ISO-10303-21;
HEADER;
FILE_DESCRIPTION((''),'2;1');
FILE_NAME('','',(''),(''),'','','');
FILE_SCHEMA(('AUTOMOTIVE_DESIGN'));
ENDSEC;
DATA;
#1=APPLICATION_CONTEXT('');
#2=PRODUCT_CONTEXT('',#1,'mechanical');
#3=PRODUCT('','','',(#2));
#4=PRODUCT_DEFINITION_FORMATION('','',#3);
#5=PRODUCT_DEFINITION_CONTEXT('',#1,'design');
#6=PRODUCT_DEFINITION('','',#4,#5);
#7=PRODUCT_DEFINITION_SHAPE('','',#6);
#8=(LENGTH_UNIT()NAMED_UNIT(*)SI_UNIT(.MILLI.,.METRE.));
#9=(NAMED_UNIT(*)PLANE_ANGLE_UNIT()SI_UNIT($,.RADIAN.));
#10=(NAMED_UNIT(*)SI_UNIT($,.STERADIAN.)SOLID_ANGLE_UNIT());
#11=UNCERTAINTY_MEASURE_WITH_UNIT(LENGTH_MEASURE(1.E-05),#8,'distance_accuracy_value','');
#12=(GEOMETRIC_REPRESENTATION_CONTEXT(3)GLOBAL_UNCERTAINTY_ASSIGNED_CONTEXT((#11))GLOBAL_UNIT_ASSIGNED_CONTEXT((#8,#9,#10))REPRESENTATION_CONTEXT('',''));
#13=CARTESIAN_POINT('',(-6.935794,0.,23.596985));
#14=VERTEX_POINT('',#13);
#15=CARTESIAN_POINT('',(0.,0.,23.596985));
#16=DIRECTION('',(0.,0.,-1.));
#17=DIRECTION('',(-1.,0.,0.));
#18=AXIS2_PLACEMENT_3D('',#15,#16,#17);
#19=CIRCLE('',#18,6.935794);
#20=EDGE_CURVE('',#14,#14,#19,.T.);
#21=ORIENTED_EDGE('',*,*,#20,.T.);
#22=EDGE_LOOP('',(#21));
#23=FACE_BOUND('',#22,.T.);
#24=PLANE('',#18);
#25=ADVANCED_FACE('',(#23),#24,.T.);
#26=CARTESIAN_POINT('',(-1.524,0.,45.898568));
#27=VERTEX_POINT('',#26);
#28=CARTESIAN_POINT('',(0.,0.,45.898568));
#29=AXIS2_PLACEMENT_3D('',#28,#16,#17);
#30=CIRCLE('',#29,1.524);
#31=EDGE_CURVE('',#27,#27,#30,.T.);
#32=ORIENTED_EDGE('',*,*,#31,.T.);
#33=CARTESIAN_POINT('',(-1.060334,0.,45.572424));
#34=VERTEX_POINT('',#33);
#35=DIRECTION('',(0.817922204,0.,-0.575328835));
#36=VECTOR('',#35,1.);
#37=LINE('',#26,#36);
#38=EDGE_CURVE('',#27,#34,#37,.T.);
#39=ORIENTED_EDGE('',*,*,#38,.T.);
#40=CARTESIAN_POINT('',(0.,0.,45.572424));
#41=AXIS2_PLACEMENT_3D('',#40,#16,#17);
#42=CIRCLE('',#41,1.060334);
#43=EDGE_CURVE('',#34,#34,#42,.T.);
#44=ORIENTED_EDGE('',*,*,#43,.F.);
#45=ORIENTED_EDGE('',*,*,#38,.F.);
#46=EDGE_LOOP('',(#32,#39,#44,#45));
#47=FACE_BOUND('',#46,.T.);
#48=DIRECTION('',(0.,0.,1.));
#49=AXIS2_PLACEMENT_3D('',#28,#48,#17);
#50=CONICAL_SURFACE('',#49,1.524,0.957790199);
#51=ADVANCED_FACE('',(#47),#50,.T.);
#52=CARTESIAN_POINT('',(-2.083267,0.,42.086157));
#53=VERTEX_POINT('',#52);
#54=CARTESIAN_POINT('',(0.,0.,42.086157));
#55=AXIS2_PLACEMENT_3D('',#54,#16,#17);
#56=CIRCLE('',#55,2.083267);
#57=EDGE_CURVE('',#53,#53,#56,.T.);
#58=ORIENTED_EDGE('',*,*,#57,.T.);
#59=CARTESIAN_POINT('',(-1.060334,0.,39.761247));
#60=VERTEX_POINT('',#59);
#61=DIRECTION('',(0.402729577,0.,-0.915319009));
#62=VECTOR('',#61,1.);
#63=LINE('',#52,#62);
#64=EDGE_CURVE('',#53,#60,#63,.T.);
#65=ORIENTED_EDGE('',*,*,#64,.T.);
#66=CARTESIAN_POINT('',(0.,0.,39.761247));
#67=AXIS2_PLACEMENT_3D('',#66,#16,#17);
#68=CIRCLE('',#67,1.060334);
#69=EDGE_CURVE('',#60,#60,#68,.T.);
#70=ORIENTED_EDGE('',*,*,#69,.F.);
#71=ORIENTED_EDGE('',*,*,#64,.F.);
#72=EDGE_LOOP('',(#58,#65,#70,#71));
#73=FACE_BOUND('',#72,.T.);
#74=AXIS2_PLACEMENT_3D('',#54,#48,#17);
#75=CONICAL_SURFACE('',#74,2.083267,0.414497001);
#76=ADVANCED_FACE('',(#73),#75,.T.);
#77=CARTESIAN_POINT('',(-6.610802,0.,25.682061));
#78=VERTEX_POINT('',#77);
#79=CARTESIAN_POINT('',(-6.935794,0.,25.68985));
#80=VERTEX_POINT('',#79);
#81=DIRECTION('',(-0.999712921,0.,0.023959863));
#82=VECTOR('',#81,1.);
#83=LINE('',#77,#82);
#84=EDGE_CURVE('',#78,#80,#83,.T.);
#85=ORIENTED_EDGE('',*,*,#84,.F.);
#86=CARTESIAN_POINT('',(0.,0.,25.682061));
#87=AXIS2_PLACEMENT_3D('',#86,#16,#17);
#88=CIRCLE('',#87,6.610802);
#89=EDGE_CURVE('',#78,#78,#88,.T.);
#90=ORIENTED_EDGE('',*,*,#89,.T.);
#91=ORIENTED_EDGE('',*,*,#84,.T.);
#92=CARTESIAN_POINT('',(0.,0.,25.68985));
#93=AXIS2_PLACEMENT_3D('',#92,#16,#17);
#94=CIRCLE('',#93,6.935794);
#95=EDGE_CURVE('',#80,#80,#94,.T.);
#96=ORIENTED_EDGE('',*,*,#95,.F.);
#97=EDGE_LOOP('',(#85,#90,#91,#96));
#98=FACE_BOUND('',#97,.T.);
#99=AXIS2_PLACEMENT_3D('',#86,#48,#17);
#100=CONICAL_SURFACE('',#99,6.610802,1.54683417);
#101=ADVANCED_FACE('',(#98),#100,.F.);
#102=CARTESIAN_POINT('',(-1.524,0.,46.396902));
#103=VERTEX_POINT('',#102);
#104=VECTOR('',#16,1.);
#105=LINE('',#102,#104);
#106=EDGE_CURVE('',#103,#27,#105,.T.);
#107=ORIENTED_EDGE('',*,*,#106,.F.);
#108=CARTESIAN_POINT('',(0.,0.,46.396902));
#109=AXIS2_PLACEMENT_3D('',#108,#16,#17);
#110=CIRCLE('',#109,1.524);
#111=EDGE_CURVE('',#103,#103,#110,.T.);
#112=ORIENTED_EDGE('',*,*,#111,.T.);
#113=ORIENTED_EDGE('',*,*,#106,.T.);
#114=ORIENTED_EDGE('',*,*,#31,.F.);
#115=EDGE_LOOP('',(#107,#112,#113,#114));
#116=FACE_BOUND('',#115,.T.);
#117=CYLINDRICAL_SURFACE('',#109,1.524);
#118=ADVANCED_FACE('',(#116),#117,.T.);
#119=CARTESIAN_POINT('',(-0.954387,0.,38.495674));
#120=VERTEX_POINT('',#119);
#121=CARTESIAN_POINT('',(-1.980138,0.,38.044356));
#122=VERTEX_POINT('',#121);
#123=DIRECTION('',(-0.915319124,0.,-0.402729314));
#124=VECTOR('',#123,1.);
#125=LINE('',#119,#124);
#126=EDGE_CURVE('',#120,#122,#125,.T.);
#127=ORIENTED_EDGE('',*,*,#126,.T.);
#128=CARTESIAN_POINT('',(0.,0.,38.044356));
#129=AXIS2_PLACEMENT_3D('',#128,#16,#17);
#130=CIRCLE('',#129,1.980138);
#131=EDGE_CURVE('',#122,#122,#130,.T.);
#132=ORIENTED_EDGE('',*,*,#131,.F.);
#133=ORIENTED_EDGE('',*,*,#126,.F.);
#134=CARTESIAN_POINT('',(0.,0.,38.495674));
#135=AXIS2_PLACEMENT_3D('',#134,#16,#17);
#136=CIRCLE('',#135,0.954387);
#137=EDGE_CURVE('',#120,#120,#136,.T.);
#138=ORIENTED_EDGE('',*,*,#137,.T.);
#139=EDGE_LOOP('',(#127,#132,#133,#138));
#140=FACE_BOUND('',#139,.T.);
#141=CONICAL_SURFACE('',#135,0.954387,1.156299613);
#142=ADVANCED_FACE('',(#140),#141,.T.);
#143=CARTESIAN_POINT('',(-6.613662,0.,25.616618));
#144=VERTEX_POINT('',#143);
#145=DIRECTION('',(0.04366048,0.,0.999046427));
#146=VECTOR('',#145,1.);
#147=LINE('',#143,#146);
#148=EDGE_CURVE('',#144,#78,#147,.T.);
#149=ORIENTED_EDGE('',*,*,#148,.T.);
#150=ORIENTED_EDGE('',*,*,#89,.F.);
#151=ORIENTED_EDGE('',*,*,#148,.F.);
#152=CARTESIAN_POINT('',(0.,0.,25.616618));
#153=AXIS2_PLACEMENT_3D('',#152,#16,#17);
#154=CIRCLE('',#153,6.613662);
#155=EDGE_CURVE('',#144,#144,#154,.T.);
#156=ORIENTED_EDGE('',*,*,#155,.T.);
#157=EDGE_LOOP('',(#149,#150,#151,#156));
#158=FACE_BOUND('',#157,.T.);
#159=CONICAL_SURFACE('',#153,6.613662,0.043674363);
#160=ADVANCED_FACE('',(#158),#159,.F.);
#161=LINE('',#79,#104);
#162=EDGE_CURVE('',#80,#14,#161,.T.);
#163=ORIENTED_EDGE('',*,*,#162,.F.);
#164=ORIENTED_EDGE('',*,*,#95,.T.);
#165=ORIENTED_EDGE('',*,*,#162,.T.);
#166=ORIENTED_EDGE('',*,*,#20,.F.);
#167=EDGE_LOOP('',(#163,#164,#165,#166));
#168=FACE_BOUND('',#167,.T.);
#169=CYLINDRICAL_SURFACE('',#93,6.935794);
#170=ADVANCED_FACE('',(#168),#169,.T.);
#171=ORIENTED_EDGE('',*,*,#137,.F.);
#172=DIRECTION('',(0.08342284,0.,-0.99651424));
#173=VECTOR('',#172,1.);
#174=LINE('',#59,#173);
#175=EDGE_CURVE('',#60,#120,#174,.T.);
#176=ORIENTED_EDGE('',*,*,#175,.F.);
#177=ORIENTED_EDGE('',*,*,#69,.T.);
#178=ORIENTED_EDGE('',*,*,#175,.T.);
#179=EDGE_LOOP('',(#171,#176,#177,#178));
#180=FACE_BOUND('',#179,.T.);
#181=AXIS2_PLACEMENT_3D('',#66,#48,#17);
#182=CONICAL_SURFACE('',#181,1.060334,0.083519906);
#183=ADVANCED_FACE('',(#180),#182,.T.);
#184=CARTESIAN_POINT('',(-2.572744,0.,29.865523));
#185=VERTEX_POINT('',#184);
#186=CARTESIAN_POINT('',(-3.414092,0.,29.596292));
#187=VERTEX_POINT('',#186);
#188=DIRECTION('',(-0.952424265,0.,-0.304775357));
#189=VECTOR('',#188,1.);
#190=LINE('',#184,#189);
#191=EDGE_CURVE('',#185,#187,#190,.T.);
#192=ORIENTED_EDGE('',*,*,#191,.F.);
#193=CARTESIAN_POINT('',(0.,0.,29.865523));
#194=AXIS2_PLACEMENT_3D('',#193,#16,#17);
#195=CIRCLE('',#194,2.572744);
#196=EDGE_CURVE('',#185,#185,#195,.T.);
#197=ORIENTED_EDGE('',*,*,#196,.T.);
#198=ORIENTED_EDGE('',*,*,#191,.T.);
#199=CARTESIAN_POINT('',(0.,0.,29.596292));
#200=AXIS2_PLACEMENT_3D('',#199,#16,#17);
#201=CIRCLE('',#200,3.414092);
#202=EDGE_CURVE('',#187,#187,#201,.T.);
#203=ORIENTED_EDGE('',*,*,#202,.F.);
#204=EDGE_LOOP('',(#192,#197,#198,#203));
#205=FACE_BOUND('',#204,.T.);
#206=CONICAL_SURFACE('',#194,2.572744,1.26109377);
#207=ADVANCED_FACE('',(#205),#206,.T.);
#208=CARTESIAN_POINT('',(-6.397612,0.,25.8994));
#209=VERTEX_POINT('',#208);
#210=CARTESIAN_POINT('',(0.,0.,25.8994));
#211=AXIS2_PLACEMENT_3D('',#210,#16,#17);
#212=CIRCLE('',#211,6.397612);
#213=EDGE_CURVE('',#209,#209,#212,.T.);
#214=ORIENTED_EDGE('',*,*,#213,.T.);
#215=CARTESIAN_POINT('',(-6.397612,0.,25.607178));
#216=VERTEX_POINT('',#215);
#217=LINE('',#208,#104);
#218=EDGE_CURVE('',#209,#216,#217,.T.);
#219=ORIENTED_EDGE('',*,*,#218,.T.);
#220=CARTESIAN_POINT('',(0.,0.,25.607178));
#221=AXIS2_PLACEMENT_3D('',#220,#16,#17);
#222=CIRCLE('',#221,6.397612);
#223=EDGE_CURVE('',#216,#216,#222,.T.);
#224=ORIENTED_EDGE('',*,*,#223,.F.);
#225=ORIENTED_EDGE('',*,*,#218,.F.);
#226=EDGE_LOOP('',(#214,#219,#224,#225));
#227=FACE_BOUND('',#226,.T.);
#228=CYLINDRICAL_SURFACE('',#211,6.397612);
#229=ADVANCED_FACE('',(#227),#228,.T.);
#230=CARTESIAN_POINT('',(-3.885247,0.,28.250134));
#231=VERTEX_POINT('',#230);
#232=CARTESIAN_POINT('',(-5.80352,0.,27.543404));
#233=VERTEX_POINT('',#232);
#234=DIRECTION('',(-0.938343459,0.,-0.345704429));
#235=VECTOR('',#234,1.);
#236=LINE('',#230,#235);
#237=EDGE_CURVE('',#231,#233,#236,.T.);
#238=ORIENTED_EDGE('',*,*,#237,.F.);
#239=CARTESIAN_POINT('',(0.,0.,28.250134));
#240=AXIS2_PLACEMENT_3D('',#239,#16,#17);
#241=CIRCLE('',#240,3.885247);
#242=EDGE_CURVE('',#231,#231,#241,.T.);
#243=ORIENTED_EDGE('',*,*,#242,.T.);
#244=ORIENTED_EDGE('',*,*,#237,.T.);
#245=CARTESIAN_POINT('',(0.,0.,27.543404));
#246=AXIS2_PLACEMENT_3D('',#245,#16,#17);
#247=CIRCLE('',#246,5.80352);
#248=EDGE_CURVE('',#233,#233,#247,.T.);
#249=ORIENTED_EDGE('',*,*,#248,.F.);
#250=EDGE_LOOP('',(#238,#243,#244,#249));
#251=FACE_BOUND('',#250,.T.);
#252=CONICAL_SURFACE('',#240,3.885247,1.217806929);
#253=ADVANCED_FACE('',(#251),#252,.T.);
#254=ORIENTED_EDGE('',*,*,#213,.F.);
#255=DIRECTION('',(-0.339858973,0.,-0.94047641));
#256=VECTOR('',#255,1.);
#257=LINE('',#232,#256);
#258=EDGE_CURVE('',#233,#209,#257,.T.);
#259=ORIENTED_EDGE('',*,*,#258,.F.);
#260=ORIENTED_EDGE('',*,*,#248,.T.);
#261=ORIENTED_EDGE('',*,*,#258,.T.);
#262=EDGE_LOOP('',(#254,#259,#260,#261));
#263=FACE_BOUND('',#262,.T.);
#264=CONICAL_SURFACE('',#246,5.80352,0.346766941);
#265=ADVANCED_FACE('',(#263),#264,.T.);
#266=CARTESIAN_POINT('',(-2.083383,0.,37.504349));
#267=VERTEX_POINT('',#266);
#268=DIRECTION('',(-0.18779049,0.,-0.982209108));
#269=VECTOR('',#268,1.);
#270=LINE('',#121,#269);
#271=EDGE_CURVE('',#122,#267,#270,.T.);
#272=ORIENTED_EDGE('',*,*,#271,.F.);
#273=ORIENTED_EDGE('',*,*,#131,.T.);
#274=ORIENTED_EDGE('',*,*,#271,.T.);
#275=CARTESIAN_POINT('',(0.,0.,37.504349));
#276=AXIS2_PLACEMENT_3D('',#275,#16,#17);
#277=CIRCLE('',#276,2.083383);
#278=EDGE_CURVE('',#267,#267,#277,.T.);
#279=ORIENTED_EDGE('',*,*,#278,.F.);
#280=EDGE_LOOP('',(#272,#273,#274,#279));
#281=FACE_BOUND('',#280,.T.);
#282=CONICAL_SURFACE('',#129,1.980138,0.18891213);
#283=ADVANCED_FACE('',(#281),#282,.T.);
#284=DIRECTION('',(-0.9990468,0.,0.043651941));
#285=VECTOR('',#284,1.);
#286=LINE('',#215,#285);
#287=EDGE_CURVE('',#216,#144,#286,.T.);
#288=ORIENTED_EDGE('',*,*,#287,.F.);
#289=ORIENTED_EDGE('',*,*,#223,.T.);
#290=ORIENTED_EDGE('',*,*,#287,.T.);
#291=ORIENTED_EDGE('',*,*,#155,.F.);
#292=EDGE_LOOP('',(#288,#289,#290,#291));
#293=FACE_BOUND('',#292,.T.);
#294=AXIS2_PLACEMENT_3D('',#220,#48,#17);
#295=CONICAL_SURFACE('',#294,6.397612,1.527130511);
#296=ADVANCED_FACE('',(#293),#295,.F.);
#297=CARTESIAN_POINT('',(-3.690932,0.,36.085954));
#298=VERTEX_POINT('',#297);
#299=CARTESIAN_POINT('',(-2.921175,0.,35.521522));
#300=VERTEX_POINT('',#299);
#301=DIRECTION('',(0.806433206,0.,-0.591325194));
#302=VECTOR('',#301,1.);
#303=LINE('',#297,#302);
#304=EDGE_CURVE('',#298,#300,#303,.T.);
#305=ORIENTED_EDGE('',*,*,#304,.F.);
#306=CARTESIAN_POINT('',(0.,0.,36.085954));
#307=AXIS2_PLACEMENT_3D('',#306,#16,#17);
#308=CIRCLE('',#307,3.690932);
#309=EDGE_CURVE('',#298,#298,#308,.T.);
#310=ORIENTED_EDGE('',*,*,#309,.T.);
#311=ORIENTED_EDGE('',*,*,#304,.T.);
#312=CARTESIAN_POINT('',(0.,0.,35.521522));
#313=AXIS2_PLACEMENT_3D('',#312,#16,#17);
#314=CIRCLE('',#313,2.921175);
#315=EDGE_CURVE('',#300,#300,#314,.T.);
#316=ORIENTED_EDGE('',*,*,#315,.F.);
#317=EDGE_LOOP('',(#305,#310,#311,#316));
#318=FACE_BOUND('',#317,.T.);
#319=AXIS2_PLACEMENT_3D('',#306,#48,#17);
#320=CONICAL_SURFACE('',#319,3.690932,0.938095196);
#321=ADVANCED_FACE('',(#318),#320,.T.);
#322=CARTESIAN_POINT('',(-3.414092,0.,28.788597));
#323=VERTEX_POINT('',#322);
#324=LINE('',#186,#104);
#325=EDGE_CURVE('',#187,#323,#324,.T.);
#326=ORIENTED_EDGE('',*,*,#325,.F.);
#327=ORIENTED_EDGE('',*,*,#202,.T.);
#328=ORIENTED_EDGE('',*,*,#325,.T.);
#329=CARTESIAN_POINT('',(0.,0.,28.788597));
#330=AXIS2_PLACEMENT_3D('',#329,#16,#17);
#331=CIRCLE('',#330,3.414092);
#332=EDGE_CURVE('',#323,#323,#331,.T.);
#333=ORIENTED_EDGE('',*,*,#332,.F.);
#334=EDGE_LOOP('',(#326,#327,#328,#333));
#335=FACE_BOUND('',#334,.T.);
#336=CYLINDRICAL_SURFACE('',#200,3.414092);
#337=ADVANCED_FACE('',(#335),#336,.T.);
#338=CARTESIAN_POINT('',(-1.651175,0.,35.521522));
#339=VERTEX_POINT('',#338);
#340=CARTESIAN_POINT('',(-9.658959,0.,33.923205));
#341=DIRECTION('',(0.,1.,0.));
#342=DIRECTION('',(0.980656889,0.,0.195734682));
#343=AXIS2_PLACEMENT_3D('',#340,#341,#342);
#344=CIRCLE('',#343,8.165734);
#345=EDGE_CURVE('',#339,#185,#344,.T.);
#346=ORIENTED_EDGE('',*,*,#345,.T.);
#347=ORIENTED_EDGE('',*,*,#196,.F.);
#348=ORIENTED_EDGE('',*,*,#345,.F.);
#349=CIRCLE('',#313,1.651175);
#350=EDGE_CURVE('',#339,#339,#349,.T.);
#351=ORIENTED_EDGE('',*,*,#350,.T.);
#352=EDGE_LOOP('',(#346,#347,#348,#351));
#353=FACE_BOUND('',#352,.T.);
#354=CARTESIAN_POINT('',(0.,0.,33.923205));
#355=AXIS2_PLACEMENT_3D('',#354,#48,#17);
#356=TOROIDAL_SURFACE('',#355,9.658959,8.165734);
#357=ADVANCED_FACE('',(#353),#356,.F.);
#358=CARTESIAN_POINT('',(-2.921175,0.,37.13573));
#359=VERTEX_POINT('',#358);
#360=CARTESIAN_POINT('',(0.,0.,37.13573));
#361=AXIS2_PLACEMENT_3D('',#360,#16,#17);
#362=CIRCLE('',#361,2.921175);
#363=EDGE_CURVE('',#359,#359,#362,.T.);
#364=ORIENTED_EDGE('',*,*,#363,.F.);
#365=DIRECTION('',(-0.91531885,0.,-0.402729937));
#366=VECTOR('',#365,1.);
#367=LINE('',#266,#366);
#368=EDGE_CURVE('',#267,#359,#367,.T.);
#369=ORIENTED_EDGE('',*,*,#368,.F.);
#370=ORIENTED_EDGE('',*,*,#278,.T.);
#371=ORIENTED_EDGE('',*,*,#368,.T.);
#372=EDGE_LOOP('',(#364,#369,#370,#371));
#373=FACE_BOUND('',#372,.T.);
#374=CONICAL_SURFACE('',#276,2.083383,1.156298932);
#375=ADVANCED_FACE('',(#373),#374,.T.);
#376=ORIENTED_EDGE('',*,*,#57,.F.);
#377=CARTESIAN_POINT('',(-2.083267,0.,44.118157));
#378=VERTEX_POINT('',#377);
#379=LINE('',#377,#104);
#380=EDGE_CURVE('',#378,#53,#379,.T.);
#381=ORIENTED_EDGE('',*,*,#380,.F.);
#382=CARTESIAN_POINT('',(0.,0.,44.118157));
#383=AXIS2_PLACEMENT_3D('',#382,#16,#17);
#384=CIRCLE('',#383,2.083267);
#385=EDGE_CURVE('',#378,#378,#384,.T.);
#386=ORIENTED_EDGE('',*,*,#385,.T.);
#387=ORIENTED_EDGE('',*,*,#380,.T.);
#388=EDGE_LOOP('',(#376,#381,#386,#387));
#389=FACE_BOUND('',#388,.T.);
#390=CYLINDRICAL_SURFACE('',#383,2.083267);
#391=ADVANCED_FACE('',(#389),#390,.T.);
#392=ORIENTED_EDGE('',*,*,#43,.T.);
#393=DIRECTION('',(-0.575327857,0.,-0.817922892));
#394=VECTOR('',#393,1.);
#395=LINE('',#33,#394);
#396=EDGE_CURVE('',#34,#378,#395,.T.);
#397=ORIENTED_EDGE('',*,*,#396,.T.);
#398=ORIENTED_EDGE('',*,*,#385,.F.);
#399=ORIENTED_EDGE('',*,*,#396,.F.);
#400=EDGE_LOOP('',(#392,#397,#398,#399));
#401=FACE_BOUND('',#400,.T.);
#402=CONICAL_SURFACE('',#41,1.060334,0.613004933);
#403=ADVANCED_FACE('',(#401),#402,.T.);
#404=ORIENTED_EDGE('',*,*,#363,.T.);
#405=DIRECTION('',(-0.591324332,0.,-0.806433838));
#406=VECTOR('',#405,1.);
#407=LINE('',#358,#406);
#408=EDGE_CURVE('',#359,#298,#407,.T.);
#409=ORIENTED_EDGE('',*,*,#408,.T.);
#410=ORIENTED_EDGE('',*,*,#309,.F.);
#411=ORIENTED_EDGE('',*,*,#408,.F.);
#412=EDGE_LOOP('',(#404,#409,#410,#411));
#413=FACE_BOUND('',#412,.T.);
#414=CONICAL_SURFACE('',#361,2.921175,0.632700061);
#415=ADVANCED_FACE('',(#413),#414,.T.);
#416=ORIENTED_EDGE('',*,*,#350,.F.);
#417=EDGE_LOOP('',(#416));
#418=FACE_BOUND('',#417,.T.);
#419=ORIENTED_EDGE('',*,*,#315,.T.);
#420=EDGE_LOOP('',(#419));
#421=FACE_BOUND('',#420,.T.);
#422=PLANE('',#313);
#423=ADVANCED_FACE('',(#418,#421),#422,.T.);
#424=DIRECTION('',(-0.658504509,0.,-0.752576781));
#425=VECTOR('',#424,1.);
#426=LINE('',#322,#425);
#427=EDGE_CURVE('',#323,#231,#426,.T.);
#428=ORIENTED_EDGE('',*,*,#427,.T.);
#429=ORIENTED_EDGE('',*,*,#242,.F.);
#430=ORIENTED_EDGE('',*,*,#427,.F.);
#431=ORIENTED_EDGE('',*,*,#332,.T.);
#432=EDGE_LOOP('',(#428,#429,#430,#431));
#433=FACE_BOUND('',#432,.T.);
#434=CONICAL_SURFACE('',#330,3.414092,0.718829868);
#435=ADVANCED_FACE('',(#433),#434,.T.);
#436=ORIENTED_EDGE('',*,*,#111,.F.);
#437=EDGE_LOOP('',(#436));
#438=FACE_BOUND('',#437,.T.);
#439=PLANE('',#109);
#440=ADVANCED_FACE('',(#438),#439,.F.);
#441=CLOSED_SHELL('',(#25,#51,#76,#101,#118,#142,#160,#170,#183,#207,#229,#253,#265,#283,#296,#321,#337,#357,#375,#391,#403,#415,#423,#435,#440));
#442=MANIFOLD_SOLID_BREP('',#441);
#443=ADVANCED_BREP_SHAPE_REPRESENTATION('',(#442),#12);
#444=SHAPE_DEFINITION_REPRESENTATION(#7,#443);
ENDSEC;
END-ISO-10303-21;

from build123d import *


with BuildPart() as f1:
    # F0 (on Front) → F1 (revolve)
    with BuildSketch(Plane.XZ):
        with BuildLine():
            Line((0, 23.596985), (0, 46.396902))
            Line((0, 46.396902), (-1.524, 46.396902))
            Line((-1.524, 46.396902), (-1.524, 45.898568))
            Line((-1.524, 45.898568), (-1.060334, 45.572424))
            Line((-1.060334, 45.572424), (-2.083267, 44.118157))
            Line((-2.083267, 44.118157), (-2.083267, 42.086157))
            Line((-2.083267, 42.086157), (-1.060334, 39.761247))
            Line((-1.060334, 39.761247), (-0.954387, 38.495674))
            Line((-0.954387, 38.495674), (-1.980138, 38.044356))
            Line((-1.980138, 38.044356), (-2.083383, 37.504349))
            Line((-2.083383, 37.504349), (-2.921175, 37.13573))
            Line((-2.921175, 37.13573), (-3.690932, 36.085954))
            Line((-3.690932, 36.085954), (-2.921175, 35.521522))
            Line((-2.921175, 35.521522), (-1.651175, 35.521522))
            ThreePointArc((-1.651175, 35.521522), (-1.599506, 32.610025), (-2.572744, 29.865523))
            Line((-2.572744, 29.865523), (-3.414092, 29.596292))
            Line((-3.414092, 29.596292), (-3.414092, 28.788597))
            Line((-3.414092, 28.788597), (-3.885247, 28.250134))
            Line((-3.885247, 28.250134), (-5.80352, 27.543404))
            Line((-5.80352, 27.543404), (-6.397612, 25.8994))
            Line((-6.397612, 25.8994), (-6.397612, 25.607178))
            Line((-6.397612, 25.607178), (-6.613662, 25.616618))
            Line((-6.613662, 25.616618), (-6.610802, 25.682061))
            Line((-6.610802, 25.682061), (-6.935794, 25.68985))
            Line((-6.935794, 25.68985), (-6.935794, 23.596985))
            Line((-6.935794, 23.596985), (0, 23.596985))
        make_face()
    revolve(axis=Axis((0, 0, 34.996943), (0, 0, -1)))


solid = f1.part
